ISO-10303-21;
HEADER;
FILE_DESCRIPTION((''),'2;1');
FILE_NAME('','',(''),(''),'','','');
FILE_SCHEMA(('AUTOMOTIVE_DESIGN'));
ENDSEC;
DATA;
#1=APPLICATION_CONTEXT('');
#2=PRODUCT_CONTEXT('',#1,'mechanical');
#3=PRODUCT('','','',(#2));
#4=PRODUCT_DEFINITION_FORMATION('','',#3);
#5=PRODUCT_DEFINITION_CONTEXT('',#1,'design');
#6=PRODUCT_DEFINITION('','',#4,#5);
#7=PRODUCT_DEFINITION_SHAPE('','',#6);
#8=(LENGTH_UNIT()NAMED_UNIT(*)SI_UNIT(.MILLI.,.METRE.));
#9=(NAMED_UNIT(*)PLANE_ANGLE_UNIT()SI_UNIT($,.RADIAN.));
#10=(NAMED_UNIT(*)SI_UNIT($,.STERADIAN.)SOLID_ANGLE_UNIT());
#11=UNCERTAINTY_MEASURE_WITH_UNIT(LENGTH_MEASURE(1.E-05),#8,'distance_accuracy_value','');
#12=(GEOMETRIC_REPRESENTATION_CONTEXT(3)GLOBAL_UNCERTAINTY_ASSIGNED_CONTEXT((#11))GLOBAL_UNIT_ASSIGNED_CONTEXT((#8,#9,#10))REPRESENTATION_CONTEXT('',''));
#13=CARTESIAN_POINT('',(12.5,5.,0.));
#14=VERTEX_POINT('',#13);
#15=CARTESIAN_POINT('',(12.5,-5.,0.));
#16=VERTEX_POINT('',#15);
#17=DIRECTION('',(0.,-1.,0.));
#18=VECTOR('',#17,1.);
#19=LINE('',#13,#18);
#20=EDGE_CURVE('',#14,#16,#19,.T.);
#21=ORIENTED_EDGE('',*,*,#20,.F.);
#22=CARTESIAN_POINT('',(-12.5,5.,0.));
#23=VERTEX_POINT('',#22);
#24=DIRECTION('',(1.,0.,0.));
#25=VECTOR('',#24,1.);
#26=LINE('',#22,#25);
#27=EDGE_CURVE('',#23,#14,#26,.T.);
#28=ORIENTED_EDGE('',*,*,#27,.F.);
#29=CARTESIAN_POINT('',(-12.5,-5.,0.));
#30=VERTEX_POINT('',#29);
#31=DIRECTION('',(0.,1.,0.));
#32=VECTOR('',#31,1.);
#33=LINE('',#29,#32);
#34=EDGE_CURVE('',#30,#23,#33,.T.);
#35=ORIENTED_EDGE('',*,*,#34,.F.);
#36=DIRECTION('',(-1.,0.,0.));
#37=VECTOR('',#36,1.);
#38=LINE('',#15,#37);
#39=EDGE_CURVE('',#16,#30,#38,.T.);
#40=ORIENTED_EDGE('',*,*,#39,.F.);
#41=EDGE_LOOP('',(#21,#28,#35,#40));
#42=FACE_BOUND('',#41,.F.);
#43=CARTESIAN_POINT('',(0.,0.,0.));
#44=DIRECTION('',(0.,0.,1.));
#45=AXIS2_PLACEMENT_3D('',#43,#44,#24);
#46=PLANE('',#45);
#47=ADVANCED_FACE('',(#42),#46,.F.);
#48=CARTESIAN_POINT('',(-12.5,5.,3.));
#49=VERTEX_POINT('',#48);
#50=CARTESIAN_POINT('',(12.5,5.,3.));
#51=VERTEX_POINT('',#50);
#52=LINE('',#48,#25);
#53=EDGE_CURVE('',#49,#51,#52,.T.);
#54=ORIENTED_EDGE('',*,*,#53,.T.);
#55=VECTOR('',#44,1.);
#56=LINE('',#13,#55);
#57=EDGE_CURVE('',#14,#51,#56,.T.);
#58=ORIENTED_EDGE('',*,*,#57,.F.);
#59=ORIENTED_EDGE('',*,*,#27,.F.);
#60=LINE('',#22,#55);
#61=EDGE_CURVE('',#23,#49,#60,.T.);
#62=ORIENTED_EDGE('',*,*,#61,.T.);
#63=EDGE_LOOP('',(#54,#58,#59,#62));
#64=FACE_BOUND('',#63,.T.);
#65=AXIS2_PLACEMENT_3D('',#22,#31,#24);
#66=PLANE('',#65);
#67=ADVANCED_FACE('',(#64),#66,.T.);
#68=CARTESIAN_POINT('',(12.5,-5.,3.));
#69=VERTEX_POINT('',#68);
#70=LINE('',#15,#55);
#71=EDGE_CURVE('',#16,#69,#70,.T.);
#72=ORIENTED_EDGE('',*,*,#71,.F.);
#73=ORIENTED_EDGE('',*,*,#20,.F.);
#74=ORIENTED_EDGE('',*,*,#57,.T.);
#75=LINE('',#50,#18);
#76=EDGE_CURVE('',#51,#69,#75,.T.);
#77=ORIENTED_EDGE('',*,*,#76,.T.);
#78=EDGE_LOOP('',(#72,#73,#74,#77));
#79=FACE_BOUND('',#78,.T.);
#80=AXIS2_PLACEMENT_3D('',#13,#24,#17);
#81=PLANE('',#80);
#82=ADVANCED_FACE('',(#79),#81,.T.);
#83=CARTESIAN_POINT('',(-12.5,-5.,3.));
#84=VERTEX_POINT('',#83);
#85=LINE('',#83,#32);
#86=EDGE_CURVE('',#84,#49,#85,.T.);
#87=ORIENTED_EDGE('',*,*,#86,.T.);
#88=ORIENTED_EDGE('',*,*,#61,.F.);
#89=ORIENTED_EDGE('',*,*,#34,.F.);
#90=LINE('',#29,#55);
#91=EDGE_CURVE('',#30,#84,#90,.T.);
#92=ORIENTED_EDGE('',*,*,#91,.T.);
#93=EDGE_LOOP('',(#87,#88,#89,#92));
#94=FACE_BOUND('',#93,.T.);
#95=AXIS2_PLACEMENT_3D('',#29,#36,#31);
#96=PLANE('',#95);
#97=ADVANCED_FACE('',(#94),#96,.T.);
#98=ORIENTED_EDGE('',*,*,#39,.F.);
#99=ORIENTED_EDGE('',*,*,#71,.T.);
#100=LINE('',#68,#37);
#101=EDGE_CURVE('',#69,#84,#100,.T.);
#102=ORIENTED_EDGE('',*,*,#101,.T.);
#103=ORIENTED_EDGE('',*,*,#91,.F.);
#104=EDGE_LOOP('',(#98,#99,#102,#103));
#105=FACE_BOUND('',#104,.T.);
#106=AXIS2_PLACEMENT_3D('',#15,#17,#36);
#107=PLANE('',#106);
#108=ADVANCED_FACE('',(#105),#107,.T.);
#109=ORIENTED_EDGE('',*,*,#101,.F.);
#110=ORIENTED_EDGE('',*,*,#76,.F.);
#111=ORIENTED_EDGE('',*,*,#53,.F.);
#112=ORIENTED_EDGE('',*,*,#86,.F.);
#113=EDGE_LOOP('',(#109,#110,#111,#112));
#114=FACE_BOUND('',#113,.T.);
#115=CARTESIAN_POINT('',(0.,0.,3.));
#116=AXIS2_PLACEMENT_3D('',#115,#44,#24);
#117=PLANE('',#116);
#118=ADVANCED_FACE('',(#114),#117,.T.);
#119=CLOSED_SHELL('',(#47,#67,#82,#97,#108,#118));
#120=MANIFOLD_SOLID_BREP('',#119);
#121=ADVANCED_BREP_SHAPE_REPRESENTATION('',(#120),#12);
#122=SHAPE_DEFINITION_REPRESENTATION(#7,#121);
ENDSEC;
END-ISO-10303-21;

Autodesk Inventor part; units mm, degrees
ref_plane "YZ Plane" through (0, 0, 0) normal (1, 0, 0) x (0, 1, 0)
ref_plane "XZ Plane" through (0, 0, 0) normal (0, 1, 0) x (-1, 0, 0)
ref_plane "XY Plane" through (0, 0, 0) normal (0, 0, 1) x (1, 0, 0)
sketch "スケッチ1" plane through (0, 0, 0) normal (0, 0, 1) x (1, 0, 0)
  line L0 (-12.5, 5) -> (12.5, 5)
  line L1 (12.5, 5) -> (12.5, -5)
  line L2 (12.5, -5) -> (-12.5, -5)
  line L3 (-12.5, -5) -> (-12.5, 5)
  line L4 (-12.5, 5) -> (12.5, -5) construction
  line L5 (12.5, 5) -> (-12.5, -5) construction
  point P0 (0, 0)
  dimension "d0" = 25
  dimension "d1" = 10
extrude "押し出し1" add sketch "スケッチ1" along normal blind 3
properties part number "marker"
